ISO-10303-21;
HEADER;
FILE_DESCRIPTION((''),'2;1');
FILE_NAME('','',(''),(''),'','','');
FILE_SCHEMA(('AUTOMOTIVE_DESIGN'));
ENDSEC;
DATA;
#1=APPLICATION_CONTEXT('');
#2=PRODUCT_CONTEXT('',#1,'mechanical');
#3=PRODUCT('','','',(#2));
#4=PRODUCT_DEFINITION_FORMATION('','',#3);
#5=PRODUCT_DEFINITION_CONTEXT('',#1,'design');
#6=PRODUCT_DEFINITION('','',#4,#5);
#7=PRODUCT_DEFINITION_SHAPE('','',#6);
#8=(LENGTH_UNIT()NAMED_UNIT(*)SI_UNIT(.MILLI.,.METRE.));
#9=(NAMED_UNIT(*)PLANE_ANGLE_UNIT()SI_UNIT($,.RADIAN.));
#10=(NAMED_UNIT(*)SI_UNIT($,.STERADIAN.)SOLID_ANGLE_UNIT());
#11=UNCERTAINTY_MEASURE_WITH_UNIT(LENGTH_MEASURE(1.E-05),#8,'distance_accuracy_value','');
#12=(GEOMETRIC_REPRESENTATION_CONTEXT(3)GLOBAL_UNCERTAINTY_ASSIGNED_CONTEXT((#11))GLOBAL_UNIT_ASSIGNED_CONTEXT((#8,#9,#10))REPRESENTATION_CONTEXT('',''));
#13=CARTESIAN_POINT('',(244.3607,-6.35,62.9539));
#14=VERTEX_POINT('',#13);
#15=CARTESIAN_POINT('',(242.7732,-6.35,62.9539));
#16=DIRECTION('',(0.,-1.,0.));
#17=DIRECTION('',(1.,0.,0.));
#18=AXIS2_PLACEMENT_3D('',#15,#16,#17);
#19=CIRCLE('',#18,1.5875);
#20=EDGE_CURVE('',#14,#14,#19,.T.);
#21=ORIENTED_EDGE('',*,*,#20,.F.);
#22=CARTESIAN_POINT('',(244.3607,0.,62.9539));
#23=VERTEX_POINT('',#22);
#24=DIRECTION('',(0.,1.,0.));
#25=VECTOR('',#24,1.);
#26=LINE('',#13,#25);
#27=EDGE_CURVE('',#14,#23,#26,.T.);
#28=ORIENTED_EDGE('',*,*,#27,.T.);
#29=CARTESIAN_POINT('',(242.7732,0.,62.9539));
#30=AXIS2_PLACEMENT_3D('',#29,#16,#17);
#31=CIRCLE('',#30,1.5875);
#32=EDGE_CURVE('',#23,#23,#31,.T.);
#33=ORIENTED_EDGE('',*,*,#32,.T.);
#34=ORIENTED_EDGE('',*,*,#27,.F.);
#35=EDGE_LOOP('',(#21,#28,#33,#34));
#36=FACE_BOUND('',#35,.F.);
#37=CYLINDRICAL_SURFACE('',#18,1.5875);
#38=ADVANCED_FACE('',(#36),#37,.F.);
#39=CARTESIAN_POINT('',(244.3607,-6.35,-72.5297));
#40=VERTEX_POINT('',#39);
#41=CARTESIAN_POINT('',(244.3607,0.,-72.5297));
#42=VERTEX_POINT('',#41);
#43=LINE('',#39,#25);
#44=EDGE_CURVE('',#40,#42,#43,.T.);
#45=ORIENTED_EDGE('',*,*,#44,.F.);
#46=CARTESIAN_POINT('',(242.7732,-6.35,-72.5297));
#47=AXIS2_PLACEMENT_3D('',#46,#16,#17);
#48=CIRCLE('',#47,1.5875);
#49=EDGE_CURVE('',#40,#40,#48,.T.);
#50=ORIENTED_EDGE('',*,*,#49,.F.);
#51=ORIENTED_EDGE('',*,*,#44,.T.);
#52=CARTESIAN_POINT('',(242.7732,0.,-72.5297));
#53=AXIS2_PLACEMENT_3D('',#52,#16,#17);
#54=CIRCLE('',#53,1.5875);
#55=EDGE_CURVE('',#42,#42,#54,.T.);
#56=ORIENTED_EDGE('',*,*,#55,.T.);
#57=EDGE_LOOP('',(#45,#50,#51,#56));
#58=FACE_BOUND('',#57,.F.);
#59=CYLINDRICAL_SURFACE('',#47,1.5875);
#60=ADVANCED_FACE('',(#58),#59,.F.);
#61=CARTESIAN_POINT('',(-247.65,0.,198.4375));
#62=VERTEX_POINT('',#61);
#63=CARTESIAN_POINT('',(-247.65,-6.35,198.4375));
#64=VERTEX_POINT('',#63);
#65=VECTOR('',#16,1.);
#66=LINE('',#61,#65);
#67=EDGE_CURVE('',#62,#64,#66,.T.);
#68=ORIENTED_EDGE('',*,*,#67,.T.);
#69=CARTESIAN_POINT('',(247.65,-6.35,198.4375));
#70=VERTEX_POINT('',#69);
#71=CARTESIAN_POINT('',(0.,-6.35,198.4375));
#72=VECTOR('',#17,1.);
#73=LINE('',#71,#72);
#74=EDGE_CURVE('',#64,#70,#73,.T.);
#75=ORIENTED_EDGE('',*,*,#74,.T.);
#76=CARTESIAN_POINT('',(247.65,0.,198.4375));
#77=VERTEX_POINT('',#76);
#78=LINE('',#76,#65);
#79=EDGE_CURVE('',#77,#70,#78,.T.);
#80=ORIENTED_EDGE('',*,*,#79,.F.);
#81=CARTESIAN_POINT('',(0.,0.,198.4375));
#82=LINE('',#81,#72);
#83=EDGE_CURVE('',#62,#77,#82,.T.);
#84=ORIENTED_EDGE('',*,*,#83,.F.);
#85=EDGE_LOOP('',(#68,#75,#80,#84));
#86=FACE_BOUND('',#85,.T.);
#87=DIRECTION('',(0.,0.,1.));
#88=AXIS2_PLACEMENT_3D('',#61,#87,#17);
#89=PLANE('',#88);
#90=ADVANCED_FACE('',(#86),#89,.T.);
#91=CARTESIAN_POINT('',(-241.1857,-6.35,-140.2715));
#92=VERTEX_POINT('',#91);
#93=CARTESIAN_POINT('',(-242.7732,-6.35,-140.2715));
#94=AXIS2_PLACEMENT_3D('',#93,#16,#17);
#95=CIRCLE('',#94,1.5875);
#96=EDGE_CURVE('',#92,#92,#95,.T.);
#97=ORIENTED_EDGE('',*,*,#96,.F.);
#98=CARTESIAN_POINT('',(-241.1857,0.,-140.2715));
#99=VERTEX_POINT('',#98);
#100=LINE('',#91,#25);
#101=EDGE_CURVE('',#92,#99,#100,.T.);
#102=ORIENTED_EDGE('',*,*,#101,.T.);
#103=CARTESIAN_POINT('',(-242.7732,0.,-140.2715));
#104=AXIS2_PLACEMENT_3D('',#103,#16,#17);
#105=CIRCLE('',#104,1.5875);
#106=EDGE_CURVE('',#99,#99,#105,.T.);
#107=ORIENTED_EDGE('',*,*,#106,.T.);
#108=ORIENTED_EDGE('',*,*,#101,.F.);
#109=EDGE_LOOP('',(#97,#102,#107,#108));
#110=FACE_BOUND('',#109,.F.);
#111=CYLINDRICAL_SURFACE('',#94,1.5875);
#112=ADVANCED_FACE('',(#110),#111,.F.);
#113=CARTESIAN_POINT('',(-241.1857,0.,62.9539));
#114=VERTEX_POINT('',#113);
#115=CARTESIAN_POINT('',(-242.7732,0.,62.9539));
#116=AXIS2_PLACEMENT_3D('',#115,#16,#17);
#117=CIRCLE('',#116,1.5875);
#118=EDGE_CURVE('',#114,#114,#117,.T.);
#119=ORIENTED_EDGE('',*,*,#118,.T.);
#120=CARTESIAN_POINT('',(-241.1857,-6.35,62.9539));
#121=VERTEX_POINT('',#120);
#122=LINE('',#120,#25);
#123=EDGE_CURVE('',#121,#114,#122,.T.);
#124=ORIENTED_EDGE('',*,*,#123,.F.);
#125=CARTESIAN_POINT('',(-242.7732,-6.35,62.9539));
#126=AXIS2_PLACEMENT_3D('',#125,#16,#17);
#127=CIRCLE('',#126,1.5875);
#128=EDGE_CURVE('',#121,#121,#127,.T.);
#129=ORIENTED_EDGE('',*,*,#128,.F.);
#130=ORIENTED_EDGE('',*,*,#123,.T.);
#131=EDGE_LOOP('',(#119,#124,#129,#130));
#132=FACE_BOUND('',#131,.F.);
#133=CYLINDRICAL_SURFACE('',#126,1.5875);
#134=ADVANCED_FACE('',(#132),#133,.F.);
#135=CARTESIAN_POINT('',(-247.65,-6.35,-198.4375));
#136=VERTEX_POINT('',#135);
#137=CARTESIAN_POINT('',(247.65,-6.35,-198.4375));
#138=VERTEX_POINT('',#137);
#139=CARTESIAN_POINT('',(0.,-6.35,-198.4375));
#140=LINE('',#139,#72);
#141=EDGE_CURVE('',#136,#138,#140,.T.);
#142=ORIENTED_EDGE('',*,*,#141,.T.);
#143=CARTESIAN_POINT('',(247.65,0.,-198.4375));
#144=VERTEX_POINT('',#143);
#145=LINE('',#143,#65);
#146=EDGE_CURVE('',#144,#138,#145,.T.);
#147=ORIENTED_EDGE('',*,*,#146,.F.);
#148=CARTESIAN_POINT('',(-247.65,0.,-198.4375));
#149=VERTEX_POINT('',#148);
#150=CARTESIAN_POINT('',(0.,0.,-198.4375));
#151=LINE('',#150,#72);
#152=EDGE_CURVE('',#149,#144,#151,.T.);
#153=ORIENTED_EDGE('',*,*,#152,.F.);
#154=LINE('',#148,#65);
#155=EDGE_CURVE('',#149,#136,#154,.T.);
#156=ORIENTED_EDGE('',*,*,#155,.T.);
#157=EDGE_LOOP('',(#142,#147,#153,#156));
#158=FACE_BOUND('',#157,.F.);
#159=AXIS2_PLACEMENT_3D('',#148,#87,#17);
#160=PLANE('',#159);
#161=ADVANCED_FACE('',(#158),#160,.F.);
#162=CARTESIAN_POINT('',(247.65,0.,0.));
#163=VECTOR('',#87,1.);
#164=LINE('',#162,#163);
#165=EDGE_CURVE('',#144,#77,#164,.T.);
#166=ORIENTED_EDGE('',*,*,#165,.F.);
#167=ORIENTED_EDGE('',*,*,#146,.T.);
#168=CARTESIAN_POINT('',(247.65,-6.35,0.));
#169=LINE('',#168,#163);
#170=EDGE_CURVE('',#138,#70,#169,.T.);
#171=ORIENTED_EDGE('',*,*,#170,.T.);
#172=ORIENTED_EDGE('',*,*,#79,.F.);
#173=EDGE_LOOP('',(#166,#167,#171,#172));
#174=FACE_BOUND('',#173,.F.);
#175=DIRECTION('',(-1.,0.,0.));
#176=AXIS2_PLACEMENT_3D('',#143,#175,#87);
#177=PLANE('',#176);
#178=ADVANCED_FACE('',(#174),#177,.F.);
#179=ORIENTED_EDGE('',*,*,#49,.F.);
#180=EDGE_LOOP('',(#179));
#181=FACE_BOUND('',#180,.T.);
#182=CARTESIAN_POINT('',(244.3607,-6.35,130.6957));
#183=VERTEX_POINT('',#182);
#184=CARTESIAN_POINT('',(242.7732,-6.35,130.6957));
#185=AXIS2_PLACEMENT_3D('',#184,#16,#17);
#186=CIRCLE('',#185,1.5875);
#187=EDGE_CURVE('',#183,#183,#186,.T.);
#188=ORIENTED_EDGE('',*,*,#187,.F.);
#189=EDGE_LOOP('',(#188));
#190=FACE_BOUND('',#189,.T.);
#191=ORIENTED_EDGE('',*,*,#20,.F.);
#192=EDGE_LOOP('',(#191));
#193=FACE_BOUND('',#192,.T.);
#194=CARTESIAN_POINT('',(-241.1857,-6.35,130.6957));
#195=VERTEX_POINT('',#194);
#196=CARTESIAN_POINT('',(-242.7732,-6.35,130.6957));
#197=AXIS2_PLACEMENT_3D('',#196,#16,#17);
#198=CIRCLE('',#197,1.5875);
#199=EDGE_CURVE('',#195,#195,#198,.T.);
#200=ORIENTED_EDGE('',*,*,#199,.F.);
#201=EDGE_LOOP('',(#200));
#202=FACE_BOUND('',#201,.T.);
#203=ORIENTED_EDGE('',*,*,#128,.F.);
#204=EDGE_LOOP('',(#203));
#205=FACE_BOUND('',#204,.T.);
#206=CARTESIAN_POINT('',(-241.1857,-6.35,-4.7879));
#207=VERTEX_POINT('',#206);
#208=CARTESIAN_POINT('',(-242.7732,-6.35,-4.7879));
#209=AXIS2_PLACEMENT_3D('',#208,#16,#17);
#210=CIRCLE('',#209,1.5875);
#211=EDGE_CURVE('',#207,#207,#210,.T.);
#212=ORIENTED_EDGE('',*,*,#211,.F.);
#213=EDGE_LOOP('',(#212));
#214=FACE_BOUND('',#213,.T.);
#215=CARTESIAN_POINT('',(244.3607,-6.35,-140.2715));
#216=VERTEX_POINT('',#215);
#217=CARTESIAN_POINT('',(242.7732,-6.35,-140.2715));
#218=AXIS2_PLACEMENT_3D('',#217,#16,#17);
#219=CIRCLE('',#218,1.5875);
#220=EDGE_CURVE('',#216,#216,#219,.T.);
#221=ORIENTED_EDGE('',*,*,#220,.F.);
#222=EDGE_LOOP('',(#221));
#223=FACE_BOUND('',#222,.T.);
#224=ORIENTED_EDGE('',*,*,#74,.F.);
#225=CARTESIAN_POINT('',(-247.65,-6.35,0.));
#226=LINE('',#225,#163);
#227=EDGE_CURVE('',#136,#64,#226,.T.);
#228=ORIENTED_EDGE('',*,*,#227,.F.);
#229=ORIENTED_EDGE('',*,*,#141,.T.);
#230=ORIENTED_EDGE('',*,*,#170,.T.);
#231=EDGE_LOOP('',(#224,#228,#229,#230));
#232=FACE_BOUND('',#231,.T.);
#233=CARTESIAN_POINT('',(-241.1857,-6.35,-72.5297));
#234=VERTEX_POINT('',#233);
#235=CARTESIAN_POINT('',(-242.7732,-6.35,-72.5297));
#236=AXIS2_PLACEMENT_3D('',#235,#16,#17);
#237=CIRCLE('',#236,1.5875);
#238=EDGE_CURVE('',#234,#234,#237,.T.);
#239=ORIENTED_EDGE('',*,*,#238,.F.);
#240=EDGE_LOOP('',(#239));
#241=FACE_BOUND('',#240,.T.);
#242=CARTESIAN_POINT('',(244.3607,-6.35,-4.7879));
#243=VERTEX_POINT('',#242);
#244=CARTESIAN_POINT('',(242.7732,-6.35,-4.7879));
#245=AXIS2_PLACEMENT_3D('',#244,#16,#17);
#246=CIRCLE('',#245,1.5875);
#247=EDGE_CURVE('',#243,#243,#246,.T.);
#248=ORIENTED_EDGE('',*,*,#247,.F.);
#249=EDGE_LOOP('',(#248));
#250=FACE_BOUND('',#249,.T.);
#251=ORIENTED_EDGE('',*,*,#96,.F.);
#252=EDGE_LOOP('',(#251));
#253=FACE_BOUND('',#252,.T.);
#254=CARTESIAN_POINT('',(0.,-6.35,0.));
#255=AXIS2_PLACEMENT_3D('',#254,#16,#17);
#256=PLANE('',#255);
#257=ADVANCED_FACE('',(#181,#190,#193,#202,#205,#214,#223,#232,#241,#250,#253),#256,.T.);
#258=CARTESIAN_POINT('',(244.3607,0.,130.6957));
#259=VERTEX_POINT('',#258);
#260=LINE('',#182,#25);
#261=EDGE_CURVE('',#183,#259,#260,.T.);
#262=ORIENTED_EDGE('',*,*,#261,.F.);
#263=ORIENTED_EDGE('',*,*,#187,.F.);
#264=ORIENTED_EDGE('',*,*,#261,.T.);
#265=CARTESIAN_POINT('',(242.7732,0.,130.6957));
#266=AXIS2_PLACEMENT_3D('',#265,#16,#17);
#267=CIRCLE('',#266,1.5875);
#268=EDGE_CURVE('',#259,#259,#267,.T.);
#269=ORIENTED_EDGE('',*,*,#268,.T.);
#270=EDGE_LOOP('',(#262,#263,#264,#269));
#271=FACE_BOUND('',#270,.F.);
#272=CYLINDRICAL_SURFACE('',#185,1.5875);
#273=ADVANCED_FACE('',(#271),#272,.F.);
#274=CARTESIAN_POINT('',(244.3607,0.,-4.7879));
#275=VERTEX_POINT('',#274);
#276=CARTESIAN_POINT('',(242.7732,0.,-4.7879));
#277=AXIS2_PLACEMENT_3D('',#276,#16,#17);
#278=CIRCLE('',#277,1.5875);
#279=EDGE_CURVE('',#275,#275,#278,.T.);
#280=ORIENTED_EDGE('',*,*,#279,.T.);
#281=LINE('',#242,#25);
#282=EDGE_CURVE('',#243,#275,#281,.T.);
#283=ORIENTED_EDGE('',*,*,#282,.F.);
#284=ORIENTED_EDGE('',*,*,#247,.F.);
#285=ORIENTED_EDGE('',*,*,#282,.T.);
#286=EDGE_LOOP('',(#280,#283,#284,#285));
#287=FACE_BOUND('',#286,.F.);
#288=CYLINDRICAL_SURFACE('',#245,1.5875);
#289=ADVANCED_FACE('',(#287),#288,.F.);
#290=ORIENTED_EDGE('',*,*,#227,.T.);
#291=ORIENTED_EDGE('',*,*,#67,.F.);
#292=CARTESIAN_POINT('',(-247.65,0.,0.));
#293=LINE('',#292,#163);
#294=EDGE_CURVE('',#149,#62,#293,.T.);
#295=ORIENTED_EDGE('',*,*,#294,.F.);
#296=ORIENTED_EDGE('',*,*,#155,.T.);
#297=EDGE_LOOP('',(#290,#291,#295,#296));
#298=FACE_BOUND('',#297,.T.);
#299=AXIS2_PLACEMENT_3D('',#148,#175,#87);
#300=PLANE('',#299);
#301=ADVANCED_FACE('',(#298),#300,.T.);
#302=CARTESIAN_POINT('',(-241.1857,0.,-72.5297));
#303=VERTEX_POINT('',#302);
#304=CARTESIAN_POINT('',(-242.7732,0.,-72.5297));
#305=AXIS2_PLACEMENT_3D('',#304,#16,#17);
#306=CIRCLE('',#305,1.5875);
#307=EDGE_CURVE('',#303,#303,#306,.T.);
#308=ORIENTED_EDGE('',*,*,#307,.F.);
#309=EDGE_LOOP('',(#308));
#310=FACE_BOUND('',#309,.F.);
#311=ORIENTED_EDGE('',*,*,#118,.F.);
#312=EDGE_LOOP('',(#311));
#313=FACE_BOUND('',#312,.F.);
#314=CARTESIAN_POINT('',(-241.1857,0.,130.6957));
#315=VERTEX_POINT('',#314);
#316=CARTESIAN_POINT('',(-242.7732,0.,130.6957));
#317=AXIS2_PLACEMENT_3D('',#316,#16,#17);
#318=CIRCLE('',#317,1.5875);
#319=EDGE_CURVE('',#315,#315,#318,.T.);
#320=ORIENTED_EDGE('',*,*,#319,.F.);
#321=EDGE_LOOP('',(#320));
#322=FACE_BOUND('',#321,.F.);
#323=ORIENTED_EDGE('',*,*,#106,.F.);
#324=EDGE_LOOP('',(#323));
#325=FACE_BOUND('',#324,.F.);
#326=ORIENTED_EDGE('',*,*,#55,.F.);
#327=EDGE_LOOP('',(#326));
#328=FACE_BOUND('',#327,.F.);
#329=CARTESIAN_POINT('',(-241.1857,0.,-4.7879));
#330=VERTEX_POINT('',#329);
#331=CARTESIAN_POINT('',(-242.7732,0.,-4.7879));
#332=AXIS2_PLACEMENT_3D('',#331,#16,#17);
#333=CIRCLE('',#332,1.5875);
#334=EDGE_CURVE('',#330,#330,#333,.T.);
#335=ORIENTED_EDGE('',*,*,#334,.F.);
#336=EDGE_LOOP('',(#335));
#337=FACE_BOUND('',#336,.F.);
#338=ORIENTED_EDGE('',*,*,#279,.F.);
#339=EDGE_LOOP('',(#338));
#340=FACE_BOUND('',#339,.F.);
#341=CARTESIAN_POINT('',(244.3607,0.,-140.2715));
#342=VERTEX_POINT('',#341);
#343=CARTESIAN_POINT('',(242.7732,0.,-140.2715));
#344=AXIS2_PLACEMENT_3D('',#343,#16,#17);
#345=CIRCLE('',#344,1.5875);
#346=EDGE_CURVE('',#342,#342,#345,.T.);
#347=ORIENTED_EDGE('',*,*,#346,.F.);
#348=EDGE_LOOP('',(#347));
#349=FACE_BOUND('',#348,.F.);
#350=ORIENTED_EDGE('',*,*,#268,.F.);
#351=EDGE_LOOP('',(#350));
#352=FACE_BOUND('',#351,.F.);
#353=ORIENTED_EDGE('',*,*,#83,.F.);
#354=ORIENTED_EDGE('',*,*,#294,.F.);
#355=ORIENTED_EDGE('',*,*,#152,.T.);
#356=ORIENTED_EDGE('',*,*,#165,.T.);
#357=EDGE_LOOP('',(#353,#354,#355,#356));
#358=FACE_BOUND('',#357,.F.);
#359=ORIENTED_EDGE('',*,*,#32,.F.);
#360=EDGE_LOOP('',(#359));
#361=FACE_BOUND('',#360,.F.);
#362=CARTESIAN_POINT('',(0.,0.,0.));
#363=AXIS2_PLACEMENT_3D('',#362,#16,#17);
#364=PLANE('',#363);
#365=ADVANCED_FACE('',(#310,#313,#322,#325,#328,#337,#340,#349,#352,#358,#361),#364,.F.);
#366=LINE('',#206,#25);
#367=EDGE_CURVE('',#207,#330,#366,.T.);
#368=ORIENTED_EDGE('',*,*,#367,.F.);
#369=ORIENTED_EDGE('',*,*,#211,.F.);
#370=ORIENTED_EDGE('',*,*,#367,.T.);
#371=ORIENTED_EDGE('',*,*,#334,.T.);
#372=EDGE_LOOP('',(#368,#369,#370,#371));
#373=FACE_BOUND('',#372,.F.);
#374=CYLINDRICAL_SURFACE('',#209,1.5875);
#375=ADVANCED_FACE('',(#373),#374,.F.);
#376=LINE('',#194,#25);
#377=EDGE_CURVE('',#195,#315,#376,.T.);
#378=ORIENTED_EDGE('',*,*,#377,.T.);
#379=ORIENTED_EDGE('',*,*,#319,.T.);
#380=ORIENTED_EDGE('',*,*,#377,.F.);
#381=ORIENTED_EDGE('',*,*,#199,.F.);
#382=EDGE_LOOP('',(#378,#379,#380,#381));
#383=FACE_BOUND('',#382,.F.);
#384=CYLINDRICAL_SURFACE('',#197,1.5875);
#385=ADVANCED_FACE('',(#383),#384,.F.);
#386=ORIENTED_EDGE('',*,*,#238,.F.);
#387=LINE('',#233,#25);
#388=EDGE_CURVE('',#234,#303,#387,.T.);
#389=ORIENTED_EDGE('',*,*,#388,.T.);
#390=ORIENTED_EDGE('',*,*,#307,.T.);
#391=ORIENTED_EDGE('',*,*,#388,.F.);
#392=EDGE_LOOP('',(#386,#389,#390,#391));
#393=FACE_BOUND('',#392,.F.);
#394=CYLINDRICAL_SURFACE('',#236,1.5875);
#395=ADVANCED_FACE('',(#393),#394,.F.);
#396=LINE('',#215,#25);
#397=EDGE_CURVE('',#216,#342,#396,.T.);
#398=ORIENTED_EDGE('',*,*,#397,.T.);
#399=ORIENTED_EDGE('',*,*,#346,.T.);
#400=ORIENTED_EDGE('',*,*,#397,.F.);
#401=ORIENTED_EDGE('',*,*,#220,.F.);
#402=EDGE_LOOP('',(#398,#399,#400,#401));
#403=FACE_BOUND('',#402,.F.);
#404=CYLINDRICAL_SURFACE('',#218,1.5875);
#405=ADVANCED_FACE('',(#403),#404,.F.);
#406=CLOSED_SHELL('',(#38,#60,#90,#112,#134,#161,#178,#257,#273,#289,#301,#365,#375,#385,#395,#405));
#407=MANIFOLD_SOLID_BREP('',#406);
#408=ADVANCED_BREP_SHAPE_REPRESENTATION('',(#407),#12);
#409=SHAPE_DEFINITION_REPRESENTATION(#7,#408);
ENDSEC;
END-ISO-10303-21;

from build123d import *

# Parameters (mm, degrees)
F0_W     = 495.3
F0_H     = 396.875
F1_DEPTH = 6.35
F2_R     = 1.5875
F3_DEPTH = 25.4


with BuildPart() as f1:
    # F0 (on Front) → F1 (new body)
    with BuildSketch(Plane.XZ):
        Rectangle(F0_W, F0_H)
    extrude(amount=F1_DEPTH)

    # F2 (on face) → F3 (cut)
    with BuildSketch(Plane.XZ.offset(6.35)):
        with Locations((-242.7732, 130.6957)):
            Circle(F2_R)
        with Locations((-242.7732, 62.9539)):
            Circle(F2_R)
        with Locations((-242.7732, -4.7879)):
            Circle(F2_R)
        with Locations((-242.7732, -72.5297)):
            Circle(F2_R)
        with Locations((-242.7732, -140.2715)):
            Circle(F2_R)
        with Locations((242.7732, 130.6957)):
            Circle(F2_R)
        with Locations((242.7732, 62.9539)):
            Circle(F2_R)
        with Locations((242.7732, -4.7879)):
            Circle(F2_R)
        with Locations((242.7732, -72.5297)):
            Circle(F2_R)
        with Locations((242.7732, -140.2715)):
            Circle(F2_R)
    extrude(amount=-F3_DEPTH, mode=Mode.SUBTRACT)


solid = f1.part
